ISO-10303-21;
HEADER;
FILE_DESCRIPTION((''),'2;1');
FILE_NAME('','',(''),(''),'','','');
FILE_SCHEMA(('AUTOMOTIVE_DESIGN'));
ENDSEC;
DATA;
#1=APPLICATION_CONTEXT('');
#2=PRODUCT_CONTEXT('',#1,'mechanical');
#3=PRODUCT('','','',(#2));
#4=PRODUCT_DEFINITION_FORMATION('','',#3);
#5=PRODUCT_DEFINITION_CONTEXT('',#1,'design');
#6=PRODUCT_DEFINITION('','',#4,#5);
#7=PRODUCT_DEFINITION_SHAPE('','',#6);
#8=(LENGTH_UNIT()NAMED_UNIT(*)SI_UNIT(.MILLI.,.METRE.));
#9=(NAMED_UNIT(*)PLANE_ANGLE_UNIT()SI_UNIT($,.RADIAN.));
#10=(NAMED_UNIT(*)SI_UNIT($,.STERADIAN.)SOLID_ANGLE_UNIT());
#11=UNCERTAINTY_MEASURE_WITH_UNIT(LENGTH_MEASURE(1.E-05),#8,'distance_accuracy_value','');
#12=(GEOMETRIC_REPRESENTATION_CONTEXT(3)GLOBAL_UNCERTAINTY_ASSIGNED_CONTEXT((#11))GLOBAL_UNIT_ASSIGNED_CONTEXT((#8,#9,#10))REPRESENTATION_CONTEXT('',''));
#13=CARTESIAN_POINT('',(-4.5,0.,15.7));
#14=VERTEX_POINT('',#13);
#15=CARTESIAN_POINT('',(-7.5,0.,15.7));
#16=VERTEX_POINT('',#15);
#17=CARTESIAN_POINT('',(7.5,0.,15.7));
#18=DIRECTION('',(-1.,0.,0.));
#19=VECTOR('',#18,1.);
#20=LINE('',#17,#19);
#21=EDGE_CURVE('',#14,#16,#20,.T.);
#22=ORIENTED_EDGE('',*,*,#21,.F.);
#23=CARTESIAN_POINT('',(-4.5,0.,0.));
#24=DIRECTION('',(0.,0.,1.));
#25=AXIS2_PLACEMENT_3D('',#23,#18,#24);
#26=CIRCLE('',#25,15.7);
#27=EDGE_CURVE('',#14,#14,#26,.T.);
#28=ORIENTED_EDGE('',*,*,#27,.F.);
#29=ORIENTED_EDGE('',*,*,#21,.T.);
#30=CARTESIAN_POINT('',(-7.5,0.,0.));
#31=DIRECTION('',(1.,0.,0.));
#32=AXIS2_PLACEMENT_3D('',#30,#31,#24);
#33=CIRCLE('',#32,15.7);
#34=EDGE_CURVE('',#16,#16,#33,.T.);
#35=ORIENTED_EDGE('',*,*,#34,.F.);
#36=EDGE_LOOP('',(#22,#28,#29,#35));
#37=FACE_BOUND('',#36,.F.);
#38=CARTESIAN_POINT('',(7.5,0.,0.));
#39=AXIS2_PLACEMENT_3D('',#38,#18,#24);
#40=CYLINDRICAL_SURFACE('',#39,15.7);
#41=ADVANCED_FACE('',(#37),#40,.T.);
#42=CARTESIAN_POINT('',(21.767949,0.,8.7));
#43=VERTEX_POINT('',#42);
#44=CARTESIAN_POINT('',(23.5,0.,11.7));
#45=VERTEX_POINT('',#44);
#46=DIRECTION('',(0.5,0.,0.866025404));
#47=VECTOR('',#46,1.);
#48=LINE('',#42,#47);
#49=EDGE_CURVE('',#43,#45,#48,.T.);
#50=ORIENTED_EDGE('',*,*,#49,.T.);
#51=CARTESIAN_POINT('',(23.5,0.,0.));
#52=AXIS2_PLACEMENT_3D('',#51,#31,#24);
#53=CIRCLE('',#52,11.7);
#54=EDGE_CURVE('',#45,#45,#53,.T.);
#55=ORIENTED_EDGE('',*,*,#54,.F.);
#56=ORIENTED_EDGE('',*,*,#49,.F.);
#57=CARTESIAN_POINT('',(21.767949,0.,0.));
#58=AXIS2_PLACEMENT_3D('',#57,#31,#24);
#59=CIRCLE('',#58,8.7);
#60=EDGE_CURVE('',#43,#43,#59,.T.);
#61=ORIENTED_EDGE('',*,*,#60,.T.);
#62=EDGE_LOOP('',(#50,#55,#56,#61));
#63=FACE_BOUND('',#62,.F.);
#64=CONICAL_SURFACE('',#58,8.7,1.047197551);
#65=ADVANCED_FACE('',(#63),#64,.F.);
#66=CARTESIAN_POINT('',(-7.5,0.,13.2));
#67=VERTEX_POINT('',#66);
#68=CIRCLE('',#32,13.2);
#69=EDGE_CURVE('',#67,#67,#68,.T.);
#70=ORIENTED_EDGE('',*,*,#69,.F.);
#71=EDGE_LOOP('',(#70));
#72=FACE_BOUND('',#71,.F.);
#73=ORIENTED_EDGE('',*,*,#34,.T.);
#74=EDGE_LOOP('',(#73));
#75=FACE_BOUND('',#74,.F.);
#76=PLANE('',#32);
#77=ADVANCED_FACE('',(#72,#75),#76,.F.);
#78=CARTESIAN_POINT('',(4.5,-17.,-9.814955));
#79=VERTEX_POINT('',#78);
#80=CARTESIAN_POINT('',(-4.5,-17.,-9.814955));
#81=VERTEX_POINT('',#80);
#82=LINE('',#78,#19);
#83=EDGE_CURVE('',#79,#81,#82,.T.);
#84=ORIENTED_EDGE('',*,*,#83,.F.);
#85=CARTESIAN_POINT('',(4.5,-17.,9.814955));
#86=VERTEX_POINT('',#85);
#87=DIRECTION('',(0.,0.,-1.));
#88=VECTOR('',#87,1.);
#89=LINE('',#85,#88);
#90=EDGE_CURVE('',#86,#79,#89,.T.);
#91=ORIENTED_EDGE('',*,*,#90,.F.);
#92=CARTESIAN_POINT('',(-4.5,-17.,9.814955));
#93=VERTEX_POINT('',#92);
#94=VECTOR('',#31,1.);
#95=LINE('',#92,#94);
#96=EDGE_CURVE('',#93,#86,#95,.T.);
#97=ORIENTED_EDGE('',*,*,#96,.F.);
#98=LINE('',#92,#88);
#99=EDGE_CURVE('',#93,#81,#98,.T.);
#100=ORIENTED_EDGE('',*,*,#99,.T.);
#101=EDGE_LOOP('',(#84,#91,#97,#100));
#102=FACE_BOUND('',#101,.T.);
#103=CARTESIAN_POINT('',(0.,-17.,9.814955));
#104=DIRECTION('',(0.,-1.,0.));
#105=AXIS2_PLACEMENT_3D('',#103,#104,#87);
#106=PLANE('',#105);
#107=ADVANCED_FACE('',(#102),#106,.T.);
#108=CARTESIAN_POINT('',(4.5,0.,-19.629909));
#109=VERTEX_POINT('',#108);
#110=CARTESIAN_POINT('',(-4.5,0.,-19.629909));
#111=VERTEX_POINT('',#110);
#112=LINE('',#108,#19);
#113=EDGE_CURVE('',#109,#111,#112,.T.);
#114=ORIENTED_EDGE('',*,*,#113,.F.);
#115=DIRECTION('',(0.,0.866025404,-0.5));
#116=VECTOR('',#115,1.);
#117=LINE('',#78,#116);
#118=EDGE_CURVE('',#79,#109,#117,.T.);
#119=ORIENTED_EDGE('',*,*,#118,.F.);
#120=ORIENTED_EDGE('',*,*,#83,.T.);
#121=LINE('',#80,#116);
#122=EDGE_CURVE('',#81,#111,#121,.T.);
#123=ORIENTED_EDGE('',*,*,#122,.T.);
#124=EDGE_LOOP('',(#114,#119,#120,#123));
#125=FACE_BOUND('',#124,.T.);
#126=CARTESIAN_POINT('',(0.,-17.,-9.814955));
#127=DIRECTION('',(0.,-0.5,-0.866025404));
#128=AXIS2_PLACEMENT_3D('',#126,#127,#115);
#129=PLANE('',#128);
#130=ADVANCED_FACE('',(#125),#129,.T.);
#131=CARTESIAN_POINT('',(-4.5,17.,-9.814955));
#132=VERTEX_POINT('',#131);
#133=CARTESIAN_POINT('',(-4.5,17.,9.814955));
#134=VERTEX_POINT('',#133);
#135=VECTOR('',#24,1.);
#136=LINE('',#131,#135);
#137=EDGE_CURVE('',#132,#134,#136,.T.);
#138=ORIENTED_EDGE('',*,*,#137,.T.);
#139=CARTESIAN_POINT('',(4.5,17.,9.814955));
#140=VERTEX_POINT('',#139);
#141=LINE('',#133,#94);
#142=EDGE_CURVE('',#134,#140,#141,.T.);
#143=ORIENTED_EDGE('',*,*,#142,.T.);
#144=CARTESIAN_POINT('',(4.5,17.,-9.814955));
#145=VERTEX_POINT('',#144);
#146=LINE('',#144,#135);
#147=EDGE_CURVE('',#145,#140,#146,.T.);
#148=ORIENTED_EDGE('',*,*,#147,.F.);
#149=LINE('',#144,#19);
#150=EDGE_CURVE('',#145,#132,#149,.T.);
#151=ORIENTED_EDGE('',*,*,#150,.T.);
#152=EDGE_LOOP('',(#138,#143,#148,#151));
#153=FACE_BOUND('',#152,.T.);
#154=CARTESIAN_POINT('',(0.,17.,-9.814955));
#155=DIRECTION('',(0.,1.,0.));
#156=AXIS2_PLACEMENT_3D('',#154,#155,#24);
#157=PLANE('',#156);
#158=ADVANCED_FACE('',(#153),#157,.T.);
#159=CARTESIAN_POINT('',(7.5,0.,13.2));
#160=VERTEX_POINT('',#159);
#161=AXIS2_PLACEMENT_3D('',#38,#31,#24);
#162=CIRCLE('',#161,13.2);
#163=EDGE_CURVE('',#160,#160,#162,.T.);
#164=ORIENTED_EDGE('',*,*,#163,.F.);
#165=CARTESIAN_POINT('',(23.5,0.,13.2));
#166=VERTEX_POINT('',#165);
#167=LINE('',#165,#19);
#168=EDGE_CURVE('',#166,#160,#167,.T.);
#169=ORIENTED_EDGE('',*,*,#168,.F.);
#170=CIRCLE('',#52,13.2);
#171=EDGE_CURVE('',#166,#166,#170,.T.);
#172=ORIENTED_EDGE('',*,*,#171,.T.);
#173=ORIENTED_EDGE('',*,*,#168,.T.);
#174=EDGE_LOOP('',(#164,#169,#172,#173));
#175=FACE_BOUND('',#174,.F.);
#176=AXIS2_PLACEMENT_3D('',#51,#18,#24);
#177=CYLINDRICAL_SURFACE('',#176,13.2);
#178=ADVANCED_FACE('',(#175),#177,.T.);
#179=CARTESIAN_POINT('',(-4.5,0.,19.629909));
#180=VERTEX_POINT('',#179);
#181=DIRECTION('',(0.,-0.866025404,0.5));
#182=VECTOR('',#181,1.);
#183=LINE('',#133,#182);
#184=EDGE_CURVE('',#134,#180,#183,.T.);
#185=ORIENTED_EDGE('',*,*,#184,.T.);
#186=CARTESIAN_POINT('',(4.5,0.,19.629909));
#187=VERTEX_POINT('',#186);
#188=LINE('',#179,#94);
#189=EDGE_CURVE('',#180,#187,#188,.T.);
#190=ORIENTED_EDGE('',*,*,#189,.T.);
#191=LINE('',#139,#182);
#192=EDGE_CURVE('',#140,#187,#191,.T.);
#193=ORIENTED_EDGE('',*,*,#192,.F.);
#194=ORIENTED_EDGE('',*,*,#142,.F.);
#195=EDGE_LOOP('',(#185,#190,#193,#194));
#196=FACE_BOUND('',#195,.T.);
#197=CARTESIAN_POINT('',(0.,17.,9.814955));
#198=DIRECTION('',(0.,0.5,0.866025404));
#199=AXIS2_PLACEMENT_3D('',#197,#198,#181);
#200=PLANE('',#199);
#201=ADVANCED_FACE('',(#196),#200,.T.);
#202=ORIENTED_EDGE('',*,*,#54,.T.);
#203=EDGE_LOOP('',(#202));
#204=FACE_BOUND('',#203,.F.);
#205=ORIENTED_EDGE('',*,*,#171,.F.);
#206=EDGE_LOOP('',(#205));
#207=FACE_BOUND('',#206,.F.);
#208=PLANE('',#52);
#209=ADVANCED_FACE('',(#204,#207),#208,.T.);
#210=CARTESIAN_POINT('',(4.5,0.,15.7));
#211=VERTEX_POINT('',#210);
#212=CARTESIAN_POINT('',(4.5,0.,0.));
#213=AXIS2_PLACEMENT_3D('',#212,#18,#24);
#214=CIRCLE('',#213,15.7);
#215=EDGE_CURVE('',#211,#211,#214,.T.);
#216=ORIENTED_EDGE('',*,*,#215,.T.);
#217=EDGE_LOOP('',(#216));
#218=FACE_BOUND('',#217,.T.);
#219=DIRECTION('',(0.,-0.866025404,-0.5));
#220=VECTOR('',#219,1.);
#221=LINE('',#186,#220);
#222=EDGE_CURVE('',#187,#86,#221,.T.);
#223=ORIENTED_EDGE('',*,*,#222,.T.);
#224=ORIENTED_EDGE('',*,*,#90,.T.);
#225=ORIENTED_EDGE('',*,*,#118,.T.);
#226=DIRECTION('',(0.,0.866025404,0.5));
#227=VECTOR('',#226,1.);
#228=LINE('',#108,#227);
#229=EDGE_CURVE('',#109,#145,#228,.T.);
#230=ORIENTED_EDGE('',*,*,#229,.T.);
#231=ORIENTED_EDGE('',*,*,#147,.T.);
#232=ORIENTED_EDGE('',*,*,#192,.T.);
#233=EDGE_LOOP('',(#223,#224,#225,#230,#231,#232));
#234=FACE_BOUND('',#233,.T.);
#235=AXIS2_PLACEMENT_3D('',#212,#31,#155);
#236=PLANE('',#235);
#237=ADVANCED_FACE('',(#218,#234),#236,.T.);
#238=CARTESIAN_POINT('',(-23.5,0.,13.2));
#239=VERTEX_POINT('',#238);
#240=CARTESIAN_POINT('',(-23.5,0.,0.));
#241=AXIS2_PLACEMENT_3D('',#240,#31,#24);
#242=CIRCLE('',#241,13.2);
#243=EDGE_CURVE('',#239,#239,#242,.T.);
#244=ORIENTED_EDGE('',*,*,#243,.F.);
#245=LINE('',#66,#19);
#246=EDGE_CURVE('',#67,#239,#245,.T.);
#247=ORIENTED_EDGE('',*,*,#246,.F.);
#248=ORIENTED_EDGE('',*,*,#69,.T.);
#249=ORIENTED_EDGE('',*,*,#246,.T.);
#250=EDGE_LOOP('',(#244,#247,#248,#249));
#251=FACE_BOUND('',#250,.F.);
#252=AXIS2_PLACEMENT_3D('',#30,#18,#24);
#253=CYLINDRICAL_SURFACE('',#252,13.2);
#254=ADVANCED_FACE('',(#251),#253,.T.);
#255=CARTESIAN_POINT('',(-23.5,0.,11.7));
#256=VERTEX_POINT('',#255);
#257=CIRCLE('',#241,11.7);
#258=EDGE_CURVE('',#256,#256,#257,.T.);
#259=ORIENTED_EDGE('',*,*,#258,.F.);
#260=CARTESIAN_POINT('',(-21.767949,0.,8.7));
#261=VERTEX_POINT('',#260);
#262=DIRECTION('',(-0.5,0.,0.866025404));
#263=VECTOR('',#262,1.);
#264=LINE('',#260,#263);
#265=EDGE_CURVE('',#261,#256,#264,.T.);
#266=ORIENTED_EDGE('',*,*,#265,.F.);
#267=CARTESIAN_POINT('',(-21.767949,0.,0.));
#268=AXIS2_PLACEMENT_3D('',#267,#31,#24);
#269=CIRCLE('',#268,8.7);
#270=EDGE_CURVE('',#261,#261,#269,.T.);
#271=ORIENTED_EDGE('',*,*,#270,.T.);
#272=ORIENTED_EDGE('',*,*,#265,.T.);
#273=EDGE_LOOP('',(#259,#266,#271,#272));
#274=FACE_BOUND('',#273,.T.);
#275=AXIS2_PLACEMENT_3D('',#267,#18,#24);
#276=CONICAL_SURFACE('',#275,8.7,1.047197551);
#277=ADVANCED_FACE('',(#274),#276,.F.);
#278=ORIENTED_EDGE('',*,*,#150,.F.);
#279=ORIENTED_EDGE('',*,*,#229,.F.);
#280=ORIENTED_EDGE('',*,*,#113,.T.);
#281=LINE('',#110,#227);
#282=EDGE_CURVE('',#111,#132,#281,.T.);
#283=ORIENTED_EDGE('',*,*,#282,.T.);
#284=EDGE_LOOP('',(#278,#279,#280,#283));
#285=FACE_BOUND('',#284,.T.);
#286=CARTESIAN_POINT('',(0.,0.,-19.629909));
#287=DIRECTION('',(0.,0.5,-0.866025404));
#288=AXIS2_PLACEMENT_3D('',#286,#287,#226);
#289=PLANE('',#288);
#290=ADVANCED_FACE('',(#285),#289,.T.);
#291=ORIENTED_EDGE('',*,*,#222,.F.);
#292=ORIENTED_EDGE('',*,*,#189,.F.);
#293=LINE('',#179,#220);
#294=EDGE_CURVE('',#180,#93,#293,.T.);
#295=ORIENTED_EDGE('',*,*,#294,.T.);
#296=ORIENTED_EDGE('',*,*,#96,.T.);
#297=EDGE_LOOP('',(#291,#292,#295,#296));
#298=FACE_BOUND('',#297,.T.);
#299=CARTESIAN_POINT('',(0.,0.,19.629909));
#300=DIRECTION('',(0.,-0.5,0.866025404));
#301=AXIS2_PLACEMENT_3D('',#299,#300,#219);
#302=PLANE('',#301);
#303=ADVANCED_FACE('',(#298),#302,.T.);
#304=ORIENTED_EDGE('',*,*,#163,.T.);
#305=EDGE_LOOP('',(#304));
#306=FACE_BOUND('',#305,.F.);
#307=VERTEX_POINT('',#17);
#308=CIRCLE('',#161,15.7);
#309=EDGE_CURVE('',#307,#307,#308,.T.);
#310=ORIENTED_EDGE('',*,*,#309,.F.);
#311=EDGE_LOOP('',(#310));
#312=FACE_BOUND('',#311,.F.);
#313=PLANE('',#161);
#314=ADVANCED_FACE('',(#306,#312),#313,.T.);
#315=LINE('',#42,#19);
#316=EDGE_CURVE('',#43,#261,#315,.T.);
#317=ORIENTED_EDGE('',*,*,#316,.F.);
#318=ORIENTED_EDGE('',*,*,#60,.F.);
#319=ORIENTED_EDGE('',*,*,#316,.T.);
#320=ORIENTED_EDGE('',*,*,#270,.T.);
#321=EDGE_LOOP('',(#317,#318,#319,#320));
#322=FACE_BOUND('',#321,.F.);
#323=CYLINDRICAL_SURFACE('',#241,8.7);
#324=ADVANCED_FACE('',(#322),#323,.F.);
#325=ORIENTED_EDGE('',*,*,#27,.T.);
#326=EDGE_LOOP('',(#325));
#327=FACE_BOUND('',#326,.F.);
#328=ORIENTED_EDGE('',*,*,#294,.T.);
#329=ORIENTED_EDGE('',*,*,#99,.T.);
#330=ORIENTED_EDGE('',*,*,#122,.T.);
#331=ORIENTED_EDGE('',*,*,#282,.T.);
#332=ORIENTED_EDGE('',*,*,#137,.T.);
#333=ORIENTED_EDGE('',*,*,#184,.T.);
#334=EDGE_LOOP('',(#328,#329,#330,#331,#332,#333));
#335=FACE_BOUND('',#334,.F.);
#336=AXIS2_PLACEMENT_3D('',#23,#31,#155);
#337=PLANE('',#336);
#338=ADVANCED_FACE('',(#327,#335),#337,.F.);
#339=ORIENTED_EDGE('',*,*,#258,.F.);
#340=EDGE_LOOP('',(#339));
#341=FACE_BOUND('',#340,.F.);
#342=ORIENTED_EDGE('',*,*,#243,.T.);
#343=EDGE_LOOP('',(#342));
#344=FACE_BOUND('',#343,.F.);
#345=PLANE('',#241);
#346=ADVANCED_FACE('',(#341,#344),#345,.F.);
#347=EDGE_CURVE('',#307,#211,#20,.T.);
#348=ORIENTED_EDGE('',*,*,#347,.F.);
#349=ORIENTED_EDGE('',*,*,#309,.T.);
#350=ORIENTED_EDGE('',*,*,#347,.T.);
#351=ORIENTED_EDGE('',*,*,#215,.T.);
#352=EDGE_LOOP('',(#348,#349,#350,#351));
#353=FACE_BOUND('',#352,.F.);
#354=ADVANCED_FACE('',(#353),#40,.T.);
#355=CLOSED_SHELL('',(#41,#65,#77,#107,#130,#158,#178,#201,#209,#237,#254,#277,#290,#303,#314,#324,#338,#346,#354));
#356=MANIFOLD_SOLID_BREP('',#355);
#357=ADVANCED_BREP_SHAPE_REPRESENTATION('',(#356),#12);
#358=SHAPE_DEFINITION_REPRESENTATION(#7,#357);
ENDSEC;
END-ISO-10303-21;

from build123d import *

# Parameters (mm, degrees)
F2_SIZE2 = 3
F2_SIZE  = 1.7320508076
F3_R     = 8.7
F4_DEPTH = 4.5


with BuildPart() as f1:
    # F0 (on Front) → F1 (revolve)
    with BuildSketch(Plane.XZ):
        Polygon((-23.5, 8.7), (23.5, 8.7), (23.5, 13.2), (7.5, 13.2), (7.5, 15.7), (-7.5, 15.7), (-7.5, 13.2), (-23.5, 13.2), align=None)
    revolve(axis=Axis((-11.75, 0, 0), (1, 0, 0)))

    # F2
    f2_edges = [f1.edges().sort_by_distance(p)[0] for p in [
        (23.5, 0, -8.7),
        (-23.5, 0, -8.7),
    ]]
    f2_side = f1.faces().sort_by_distance((0, 0, -8.7))[0]
    chamfer(f2_edges, length=F2_SIZE, length2=F2_SIZE2, reference=f2_side)

    # F3 (on Right) → F4 (join, symmetric)
    with BuildSketch(Plane.YZ):
        Polygon((17, -9.8149545762), (17, 9.8149545762), (0, 19.6299091524), (-17, 9.8149545762), (-17, -9.8149545762), (0, -19.6299091524), align=None)
        Circle(F3_R, mode=Mode.SUBTRACT)
    extrude(amount=F4_DEPTH, both=True)


solid = f1.part
